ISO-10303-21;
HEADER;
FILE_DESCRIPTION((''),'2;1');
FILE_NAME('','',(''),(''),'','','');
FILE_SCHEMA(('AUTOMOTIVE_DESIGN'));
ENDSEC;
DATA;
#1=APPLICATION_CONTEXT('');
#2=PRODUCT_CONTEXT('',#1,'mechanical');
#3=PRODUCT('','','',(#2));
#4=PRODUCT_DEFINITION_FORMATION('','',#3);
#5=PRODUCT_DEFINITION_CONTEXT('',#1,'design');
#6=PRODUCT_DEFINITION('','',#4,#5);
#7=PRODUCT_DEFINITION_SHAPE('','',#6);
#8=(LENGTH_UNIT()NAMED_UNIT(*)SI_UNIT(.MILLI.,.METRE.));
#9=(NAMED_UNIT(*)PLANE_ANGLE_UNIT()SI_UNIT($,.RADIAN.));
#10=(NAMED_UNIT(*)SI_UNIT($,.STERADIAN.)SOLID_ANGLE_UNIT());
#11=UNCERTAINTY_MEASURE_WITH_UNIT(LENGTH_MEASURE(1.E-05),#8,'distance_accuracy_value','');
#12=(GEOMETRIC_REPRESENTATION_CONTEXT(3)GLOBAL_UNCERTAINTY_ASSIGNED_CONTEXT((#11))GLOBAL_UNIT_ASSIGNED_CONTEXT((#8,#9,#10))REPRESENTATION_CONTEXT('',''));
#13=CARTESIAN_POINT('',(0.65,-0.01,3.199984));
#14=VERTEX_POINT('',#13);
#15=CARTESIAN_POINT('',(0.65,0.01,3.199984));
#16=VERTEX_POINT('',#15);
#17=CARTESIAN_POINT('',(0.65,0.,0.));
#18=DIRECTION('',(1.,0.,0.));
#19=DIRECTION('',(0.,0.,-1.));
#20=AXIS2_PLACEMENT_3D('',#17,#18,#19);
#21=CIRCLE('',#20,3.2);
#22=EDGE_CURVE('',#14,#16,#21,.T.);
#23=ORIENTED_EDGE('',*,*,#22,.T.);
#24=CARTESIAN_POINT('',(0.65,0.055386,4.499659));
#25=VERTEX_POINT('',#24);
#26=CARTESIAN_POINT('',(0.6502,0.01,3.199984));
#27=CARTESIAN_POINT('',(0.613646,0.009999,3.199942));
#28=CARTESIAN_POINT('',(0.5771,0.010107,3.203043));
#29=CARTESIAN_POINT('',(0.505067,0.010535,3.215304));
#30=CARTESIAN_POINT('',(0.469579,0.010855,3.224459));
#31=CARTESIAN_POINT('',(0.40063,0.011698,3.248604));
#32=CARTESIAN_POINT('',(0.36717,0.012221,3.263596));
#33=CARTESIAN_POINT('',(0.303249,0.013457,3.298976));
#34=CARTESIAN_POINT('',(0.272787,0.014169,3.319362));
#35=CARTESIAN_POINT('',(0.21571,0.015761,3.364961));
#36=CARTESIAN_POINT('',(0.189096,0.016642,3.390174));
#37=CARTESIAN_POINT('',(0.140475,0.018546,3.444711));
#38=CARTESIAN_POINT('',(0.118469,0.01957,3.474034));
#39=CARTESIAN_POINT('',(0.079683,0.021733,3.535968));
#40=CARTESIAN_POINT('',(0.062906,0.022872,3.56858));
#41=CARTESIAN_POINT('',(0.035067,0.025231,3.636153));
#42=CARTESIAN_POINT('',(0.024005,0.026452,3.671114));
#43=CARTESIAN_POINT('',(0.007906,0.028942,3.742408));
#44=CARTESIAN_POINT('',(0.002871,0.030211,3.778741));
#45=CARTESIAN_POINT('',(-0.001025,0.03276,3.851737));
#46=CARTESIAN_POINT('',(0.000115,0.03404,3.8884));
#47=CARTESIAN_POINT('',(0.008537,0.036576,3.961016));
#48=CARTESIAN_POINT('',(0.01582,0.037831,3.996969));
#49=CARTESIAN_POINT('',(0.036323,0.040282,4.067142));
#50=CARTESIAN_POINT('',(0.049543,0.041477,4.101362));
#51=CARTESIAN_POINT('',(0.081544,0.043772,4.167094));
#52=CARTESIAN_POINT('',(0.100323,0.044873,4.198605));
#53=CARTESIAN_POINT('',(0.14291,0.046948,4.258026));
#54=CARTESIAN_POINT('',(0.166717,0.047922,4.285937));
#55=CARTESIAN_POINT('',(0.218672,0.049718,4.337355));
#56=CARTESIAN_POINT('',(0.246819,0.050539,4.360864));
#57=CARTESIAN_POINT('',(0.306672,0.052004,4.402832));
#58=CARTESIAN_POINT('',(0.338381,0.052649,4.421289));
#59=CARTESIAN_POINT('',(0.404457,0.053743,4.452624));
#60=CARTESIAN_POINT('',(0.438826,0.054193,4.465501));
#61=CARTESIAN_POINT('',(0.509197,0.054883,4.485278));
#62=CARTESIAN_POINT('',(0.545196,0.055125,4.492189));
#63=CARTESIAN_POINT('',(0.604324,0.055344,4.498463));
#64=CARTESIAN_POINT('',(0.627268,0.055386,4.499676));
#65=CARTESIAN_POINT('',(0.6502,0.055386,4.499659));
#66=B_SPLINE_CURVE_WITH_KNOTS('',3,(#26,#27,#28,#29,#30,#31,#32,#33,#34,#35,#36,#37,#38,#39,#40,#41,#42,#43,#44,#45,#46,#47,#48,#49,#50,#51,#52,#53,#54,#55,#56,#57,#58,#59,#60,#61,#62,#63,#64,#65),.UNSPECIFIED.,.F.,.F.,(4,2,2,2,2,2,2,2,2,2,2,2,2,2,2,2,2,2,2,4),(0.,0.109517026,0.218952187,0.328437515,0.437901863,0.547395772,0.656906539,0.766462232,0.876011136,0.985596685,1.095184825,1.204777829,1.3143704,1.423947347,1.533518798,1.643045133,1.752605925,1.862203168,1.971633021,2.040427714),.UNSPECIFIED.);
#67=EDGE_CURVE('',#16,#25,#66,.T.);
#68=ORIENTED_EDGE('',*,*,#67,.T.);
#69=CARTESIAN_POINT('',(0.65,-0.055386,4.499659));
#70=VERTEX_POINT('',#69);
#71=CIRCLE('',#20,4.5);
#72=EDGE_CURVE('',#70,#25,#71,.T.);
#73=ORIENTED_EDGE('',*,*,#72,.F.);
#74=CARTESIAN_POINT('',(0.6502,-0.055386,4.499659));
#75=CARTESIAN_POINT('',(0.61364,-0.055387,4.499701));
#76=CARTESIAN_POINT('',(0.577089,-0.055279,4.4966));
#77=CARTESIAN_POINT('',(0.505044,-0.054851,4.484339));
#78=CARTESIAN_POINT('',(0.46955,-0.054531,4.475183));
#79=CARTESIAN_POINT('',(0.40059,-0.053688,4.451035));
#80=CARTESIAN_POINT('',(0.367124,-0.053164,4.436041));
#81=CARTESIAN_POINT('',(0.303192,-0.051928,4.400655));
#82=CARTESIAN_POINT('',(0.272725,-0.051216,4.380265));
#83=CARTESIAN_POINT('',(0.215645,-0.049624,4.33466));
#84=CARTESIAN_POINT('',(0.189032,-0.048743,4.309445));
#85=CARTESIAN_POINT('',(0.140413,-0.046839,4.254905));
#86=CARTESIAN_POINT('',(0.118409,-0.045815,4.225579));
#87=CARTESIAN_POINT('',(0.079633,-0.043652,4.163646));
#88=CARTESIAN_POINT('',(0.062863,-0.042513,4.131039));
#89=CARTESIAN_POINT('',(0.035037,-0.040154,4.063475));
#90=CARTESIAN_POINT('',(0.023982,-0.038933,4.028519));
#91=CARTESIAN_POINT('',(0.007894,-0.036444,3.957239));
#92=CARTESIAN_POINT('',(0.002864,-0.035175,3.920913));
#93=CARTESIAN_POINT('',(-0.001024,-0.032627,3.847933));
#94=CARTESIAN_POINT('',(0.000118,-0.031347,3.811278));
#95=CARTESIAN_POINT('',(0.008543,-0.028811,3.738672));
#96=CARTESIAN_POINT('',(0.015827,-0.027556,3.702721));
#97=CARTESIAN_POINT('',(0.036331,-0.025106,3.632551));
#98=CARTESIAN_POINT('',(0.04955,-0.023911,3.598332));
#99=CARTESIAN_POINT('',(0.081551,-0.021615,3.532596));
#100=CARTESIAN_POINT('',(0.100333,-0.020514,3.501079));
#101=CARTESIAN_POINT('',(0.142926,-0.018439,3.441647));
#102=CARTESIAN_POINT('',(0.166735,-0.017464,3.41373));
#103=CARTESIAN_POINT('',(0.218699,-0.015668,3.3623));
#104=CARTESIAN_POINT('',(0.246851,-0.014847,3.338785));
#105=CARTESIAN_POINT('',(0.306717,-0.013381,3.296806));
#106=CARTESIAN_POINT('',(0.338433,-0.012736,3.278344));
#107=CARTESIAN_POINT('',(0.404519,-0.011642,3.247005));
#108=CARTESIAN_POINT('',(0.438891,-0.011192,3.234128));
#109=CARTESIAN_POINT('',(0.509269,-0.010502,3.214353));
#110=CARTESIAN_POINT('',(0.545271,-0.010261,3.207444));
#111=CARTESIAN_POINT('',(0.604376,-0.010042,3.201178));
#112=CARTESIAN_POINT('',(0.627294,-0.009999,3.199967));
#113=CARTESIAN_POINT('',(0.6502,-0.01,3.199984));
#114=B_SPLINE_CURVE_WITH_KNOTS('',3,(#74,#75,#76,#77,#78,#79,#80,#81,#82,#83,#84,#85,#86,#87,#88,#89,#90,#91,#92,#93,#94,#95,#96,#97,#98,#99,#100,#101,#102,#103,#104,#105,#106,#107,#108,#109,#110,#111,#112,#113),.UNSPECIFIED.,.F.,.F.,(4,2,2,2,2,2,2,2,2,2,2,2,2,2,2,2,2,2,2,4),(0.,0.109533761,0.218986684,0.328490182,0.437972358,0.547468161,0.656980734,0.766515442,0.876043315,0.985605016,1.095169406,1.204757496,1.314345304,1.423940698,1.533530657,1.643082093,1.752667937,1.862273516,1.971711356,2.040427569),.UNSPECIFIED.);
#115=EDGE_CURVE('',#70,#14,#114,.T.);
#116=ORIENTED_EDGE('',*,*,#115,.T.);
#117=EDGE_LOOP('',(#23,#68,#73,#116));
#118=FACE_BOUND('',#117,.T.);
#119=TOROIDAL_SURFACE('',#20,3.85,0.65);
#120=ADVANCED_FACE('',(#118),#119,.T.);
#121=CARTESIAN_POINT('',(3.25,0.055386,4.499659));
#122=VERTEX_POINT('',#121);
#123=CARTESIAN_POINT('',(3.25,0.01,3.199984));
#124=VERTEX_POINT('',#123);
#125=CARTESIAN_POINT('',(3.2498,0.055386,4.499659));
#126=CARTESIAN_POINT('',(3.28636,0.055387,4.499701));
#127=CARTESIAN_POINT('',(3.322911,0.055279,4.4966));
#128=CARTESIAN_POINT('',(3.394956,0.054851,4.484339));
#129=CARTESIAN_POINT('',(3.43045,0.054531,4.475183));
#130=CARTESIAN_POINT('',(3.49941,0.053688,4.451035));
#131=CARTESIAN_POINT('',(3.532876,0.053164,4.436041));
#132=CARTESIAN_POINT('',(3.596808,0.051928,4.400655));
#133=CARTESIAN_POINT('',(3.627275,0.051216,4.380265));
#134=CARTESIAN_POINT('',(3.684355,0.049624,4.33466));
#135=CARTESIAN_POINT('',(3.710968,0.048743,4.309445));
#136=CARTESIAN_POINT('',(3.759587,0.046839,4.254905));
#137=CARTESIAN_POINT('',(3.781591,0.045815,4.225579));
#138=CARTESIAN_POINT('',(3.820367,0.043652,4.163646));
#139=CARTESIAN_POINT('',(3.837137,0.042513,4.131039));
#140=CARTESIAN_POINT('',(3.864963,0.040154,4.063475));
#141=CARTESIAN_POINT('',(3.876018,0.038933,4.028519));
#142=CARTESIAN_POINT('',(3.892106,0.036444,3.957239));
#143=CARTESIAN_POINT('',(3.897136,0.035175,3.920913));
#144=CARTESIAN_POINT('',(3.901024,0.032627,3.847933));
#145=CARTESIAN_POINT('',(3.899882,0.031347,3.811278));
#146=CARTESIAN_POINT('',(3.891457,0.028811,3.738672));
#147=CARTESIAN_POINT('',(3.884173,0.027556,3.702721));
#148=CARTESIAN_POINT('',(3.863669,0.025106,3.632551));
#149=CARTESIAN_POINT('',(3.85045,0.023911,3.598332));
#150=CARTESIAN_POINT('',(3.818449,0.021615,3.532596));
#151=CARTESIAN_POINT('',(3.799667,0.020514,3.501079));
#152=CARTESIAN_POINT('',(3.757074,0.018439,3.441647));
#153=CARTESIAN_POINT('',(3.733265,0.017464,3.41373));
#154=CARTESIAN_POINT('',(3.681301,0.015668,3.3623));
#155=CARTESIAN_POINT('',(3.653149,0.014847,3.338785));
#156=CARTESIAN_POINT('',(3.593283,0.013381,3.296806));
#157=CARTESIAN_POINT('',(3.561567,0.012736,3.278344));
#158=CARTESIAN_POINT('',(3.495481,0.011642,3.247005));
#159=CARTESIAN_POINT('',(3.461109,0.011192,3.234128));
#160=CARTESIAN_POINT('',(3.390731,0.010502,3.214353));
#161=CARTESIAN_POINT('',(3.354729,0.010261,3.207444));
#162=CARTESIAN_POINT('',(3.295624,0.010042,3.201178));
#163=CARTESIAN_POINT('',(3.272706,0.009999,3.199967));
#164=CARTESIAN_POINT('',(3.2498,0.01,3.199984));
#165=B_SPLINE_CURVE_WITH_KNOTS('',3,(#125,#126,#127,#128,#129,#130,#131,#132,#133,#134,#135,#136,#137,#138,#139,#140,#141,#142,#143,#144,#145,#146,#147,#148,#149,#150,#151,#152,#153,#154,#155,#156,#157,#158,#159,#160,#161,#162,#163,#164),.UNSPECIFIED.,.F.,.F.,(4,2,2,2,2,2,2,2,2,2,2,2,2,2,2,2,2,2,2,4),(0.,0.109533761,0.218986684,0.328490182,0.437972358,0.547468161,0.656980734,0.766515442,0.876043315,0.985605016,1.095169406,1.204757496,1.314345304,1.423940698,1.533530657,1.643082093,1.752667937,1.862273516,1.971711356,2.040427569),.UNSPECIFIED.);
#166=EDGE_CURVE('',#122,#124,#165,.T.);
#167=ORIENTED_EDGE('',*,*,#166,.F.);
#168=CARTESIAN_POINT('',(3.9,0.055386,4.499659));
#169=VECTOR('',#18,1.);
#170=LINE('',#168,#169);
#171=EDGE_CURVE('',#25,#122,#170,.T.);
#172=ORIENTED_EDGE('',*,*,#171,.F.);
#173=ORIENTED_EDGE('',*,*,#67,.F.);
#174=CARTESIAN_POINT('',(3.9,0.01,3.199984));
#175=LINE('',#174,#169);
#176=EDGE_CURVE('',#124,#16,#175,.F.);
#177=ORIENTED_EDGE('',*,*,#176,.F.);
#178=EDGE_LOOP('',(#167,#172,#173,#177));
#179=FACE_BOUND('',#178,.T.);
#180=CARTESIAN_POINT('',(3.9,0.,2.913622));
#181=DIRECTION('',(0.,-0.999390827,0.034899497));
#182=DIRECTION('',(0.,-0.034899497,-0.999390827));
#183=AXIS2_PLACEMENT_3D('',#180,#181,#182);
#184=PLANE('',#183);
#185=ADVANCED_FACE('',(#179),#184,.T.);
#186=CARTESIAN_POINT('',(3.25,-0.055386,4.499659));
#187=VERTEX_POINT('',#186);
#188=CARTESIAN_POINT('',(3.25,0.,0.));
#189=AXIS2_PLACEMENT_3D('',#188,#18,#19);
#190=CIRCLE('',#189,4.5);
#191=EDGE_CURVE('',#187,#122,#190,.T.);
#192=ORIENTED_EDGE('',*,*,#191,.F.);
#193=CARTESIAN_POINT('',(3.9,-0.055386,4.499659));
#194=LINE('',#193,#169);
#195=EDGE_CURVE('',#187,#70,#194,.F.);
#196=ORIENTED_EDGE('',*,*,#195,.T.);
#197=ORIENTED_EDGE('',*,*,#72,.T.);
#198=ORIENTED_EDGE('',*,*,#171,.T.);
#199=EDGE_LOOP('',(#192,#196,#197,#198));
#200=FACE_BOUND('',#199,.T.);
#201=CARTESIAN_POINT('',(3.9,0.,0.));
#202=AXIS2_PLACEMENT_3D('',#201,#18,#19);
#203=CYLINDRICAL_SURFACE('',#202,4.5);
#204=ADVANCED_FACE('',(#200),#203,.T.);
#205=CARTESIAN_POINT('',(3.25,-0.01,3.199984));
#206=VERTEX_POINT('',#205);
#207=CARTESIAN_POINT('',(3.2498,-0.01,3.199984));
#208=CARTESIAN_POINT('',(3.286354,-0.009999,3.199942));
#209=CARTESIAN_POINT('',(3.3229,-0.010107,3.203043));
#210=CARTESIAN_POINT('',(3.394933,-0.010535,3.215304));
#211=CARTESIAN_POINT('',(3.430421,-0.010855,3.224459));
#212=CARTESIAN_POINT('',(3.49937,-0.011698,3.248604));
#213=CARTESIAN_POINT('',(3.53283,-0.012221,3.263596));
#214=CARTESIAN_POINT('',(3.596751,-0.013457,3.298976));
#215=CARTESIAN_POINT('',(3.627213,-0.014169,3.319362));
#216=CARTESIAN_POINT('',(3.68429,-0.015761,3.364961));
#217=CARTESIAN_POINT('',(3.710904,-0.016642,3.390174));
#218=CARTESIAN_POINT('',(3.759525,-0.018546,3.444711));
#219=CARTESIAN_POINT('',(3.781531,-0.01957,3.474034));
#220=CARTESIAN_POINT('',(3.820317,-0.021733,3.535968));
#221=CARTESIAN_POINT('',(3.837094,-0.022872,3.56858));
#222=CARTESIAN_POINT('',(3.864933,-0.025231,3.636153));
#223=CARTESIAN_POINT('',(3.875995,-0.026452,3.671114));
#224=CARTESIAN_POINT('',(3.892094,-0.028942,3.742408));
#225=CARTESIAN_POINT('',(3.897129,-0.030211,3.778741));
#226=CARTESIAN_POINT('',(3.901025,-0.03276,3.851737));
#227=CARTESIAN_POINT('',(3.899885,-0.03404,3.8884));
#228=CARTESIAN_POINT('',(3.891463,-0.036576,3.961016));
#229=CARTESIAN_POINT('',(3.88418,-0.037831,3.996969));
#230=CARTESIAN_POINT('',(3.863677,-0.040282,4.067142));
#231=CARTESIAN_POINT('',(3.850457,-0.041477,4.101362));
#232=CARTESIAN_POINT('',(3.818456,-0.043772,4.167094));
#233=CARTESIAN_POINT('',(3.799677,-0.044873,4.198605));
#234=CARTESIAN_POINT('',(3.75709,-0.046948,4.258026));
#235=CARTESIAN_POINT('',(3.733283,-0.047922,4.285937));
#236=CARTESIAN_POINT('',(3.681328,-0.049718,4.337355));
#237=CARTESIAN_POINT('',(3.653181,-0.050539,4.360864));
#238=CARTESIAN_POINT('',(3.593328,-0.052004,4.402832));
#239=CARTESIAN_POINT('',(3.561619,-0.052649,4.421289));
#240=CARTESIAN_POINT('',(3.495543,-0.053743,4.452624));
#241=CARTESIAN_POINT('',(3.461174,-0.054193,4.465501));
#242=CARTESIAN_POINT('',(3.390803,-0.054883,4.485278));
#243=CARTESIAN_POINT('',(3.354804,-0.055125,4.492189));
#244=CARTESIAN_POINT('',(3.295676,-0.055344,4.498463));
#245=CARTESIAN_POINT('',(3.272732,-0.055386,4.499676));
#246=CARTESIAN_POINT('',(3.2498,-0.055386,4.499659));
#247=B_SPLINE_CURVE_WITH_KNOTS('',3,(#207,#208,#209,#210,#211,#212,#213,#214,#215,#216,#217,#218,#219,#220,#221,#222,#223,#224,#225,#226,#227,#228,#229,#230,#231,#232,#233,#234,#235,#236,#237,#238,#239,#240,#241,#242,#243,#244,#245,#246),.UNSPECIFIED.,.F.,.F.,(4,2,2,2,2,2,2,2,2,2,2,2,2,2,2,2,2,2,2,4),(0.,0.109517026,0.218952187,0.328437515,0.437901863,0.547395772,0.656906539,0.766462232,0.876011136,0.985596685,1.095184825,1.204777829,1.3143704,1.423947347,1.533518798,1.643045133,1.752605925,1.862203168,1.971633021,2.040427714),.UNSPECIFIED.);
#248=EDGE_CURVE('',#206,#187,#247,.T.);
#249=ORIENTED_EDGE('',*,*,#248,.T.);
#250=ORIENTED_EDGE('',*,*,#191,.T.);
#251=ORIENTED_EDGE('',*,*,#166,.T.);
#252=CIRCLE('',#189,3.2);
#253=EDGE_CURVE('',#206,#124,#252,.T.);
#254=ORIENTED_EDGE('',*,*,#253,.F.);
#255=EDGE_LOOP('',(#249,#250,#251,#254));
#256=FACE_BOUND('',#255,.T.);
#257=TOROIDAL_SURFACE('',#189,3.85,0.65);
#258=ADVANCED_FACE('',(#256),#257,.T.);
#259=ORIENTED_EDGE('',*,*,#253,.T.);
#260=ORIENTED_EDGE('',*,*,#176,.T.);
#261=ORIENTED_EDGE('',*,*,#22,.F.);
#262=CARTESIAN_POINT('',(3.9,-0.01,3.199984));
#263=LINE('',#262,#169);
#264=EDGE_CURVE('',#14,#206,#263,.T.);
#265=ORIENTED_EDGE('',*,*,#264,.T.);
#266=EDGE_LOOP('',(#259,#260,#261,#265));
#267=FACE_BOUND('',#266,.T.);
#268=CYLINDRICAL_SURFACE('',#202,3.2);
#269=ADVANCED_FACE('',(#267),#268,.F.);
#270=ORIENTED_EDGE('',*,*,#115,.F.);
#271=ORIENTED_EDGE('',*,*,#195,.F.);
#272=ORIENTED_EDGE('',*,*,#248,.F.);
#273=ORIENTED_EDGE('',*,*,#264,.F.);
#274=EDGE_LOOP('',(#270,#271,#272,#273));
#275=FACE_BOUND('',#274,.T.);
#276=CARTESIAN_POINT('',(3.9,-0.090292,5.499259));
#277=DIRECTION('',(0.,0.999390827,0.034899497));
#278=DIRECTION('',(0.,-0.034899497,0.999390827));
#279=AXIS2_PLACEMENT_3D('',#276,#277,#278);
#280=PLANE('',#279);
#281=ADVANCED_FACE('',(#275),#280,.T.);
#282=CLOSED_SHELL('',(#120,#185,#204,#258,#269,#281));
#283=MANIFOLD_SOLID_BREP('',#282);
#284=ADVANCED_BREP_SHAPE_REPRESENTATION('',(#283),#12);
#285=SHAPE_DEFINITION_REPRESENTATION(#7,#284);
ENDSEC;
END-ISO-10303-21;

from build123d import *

# Parameters (mm, degrees)
CUT_EXTRUDE1_DEPTH = 3.9


with BuildPart() as part:
    # Sketch1 → Revolve1 (revolve)
    with BuildSketch(Plane.XY):
        with BuildLine():
            Line((0.65, 3.2), (3.25, 3.2))
            ThreePointArc((3.25, 3.2), (3.9, 3.85), (3.25, 4.5))
            Line((3.25, 4.5), (0.65, 4.5))
            ThreePointArc((0.65, 4.5), (0, 3.85), (0.65, 3.2))
        make_face()
    revolve(axis=Axis((3.9, 0, 0), (-1, 0, 0)))

    # Sketch2 → Cut-Extrude1 (cut)
    with BuildSketch(Plane(origin=(0, 0, 0), x_dir=(0, 0, -1), z_dir=(1, 0, 0))):
        with BuildLine():
            Line((-5.499258793, -0.090292432), (-2.913621842, 0))
            Line((-2.913621842, 0), (-5.499258793, 0.090292432))
            ThreePointArc((-5.499258793, 0.090292432), (-5.5, 0), (-5.499258793, -0.090292432))
        make_face()
    extrude(amount=CUT_EXTRUDE1_DEPTH, mode=Mode.SUBTRACT)


solid = part.part
